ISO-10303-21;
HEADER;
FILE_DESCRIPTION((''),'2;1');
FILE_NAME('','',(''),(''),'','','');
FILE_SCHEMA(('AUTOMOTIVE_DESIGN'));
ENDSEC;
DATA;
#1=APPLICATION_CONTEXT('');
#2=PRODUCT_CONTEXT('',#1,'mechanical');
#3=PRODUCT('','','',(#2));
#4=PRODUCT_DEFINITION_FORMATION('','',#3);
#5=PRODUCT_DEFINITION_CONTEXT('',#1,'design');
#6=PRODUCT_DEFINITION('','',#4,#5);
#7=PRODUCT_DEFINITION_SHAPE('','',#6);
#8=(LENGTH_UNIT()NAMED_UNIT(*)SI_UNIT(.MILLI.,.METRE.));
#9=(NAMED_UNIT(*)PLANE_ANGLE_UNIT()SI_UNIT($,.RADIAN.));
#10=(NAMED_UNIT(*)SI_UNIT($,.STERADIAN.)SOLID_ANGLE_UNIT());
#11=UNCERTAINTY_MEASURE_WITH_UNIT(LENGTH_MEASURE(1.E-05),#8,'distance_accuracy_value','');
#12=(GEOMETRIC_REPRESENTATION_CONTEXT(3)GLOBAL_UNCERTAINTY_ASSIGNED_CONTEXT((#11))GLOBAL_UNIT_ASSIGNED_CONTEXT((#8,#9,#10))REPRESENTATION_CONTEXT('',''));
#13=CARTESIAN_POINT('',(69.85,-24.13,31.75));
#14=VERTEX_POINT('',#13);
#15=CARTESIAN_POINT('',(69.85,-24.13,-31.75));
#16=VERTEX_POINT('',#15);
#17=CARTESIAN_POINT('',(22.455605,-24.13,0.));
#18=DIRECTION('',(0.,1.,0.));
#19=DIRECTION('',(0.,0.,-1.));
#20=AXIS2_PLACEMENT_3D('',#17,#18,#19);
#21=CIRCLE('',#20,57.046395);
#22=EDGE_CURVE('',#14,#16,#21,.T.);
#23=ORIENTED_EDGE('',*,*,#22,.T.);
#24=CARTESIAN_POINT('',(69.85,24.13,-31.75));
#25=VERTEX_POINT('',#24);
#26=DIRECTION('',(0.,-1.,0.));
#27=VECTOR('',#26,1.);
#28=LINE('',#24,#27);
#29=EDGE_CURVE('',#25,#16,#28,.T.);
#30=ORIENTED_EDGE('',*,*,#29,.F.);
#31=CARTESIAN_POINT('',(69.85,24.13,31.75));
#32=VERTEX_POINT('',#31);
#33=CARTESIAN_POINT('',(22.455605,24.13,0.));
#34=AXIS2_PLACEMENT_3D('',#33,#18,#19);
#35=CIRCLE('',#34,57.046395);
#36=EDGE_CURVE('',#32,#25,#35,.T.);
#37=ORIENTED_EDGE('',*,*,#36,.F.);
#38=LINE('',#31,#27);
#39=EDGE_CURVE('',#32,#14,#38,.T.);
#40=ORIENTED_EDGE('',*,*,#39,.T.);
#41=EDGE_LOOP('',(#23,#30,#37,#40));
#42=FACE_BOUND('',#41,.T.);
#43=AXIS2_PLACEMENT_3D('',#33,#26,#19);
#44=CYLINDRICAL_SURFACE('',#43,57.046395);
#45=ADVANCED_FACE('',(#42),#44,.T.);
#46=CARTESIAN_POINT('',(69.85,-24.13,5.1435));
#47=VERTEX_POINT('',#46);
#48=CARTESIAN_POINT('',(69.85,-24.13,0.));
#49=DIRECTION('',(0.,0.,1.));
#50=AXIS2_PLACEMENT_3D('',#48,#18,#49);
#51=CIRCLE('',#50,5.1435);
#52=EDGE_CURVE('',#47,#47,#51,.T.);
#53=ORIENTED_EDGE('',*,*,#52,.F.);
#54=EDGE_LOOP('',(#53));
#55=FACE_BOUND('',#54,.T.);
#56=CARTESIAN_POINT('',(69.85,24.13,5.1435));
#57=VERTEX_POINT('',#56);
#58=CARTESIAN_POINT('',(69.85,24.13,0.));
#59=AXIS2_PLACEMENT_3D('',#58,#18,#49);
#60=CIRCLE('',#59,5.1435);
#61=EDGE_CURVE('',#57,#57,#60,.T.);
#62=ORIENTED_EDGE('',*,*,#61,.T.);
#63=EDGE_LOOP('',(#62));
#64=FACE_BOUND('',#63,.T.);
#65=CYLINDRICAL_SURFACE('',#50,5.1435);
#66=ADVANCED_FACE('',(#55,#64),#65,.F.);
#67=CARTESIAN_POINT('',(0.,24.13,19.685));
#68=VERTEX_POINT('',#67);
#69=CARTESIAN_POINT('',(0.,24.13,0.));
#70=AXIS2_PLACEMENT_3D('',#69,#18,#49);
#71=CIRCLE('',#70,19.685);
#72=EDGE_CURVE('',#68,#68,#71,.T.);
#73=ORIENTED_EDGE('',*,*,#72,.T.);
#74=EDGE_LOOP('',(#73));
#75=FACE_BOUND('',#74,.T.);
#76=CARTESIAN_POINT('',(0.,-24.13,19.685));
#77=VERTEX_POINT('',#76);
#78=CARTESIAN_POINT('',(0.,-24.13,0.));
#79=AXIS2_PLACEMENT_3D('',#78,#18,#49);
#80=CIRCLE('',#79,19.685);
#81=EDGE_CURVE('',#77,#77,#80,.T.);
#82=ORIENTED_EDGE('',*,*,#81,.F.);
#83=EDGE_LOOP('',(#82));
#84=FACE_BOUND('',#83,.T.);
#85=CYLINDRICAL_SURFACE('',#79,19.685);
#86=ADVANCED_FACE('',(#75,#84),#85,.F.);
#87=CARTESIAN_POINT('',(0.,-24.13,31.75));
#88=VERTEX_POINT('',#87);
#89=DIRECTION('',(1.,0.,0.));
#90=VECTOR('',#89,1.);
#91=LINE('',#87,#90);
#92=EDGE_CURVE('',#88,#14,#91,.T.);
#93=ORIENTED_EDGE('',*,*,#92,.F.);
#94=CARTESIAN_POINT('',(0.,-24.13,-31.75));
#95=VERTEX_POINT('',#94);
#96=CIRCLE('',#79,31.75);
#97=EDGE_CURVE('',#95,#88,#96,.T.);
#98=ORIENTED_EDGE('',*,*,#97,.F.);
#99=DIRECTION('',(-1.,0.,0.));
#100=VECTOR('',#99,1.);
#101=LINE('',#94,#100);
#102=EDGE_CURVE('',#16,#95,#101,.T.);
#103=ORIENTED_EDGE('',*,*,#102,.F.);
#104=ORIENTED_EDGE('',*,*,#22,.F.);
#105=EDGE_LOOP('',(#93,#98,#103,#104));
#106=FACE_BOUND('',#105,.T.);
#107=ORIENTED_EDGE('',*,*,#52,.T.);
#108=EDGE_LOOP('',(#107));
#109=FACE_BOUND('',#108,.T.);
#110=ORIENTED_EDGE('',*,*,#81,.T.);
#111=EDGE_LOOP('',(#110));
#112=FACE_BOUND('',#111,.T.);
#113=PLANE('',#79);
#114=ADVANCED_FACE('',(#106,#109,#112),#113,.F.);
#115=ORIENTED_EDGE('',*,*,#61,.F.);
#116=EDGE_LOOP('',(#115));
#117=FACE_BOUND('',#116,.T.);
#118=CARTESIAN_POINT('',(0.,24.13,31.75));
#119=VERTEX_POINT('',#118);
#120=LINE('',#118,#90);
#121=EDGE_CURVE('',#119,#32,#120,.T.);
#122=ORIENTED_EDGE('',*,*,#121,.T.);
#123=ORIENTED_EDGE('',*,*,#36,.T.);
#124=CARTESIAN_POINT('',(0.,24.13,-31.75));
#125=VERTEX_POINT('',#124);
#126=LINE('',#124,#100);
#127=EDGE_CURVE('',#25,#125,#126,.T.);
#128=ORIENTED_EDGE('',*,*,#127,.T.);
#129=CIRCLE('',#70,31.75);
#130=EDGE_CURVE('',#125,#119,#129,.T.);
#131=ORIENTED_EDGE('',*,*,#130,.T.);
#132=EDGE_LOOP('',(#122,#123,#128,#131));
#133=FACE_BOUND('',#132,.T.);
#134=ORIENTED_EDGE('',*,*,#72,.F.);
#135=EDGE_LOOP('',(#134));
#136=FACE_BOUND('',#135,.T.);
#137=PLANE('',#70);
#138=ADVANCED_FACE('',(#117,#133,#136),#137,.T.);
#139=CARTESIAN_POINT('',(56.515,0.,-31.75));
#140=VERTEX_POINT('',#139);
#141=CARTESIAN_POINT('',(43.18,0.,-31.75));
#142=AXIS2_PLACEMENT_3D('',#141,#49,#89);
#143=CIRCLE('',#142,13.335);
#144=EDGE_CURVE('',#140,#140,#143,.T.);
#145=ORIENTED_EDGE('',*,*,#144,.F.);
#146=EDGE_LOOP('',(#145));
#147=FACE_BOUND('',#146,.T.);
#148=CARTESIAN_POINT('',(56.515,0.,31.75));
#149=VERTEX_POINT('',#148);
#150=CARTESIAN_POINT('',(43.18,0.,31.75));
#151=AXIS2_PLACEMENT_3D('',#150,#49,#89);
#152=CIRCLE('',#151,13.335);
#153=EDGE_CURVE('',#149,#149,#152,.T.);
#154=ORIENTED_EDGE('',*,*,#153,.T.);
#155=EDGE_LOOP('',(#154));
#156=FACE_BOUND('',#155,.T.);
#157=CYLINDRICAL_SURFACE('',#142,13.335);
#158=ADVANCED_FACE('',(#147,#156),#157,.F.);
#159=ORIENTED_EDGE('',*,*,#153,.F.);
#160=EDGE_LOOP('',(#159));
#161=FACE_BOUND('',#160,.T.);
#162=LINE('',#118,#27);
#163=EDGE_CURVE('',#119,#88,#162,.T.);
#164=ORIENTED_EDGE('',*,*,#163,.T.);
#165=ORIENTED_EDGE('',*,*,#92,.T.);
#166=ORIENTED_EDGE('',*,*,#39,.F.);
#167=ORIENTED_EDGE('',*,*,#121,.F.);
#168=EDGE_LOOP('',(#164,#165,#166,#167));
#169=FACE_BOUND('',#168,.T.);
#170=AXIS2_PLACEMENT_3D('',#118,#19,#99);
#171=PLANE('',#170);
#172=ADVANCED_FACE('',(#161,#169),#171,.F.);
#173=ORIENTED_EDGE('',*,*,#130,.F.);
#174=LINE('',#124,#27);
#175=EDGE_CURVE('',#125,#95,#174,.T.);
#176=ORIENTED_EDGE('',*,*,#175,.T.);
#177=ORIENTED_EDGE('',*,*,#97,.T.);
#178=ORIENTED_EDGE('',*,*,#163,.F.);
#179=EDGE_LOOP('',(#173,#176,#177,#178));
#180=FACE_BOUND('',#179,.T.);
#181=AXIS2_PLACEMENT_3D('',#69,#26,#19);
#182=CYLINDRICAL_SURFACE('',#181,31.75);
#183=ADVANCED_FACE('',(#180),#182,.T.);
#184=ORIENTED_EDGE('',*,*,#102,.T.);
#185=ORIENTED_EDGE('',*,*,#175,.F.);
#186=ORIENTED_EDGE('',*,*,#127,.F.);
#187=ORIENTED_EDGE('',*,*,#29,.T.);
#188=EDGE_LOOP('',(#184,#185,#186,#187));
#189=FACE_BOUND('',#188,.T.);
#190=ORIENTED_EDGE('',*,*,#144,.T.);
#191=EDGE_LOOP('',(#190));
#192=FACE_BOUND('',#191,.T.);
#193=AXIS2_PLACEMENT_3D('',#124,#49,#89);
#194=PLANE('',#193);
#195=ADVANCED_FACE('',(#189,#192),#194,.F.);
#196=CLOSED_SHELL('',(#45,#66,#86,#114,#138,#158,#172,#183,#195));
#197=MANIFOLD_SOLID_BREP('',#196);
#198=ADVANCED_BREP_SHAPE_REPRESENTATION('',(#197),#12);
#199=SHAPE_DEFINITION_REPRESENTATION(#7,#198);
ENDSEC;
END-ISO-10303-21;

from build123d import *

# Parameters (mm, degrees)
BOSS_EXTRUDE1_DEPTH = 24.13
SKETCH2_R           = 19.685
CUT_EXTRUDE1_DEPTH  = 49.26
SKETCH3_R           = 13.335
CUT_EXTRUDE2_DEPTH  = 64.5
SKETCH4_R           = 5.1435
CUT_EXTRUDE3_DEPTH  = 49.26


with BuildPart() as part:
    # Sketch1 → Boss-Extrude1 (new body, symmetric)
    with BuildSketch(Plane(origin=(0, 0, 0), x_dir=(1, 0, 0), z_dir=(0, 1, 0))):
        with BuildLine():
            Line((0, 31.75), (69.85, 31.75))
            ThreePointArc((69.85, 31.75), (79.502, 0), (69.85, -31.75))
            Line((69.85, -31.75), (0, -31.75))
            ThreePointArc((0, -31.75), (-31.75, 0), (0, 31.75))
        make_face()
    extrude(amount=BOSS_EXTRUDE1_DEPTH, both=True)

    # Sketch2 → Cut-Extrude1 (cut, through all)
    with BuildSketch(Plane(origin=(0, 24.13, 0), x_dir=(1, 0, 0), z_dir=(0, 1, 0))):
        Circle(SKETCH2_R)
    extrude(amount=-CUT_EXTRUDE1_DEPTH, mode=Mode.SUBTRACT)

    # Sketch3 → Cut-Extrude2 (cut, through all)
    with BuildSketch(Plane.XY.offset(31.75)):
        with Locations((43.18, 0)):
            Circle(SKETCH3_R)
    extrude(amount=-CUT_EXTRUDE2_DEPTH, mode=Mode.SUBTRACT)

    # Sketch4 → Cut-Extrude3 (cut, through all)
    with BuildSketch(Plane(origin=(0, 24.13, 0), x_dir=(1, 0, 0), z_dir=(0, 1, 0))):
        with Locations((69.85, 0)):
            Circle(SKETCH4_R)
    extrude(amount=-CUT_EXTRUDE3_DEPTH, mode=Mode.SUBTRACT)


solid = part.part
